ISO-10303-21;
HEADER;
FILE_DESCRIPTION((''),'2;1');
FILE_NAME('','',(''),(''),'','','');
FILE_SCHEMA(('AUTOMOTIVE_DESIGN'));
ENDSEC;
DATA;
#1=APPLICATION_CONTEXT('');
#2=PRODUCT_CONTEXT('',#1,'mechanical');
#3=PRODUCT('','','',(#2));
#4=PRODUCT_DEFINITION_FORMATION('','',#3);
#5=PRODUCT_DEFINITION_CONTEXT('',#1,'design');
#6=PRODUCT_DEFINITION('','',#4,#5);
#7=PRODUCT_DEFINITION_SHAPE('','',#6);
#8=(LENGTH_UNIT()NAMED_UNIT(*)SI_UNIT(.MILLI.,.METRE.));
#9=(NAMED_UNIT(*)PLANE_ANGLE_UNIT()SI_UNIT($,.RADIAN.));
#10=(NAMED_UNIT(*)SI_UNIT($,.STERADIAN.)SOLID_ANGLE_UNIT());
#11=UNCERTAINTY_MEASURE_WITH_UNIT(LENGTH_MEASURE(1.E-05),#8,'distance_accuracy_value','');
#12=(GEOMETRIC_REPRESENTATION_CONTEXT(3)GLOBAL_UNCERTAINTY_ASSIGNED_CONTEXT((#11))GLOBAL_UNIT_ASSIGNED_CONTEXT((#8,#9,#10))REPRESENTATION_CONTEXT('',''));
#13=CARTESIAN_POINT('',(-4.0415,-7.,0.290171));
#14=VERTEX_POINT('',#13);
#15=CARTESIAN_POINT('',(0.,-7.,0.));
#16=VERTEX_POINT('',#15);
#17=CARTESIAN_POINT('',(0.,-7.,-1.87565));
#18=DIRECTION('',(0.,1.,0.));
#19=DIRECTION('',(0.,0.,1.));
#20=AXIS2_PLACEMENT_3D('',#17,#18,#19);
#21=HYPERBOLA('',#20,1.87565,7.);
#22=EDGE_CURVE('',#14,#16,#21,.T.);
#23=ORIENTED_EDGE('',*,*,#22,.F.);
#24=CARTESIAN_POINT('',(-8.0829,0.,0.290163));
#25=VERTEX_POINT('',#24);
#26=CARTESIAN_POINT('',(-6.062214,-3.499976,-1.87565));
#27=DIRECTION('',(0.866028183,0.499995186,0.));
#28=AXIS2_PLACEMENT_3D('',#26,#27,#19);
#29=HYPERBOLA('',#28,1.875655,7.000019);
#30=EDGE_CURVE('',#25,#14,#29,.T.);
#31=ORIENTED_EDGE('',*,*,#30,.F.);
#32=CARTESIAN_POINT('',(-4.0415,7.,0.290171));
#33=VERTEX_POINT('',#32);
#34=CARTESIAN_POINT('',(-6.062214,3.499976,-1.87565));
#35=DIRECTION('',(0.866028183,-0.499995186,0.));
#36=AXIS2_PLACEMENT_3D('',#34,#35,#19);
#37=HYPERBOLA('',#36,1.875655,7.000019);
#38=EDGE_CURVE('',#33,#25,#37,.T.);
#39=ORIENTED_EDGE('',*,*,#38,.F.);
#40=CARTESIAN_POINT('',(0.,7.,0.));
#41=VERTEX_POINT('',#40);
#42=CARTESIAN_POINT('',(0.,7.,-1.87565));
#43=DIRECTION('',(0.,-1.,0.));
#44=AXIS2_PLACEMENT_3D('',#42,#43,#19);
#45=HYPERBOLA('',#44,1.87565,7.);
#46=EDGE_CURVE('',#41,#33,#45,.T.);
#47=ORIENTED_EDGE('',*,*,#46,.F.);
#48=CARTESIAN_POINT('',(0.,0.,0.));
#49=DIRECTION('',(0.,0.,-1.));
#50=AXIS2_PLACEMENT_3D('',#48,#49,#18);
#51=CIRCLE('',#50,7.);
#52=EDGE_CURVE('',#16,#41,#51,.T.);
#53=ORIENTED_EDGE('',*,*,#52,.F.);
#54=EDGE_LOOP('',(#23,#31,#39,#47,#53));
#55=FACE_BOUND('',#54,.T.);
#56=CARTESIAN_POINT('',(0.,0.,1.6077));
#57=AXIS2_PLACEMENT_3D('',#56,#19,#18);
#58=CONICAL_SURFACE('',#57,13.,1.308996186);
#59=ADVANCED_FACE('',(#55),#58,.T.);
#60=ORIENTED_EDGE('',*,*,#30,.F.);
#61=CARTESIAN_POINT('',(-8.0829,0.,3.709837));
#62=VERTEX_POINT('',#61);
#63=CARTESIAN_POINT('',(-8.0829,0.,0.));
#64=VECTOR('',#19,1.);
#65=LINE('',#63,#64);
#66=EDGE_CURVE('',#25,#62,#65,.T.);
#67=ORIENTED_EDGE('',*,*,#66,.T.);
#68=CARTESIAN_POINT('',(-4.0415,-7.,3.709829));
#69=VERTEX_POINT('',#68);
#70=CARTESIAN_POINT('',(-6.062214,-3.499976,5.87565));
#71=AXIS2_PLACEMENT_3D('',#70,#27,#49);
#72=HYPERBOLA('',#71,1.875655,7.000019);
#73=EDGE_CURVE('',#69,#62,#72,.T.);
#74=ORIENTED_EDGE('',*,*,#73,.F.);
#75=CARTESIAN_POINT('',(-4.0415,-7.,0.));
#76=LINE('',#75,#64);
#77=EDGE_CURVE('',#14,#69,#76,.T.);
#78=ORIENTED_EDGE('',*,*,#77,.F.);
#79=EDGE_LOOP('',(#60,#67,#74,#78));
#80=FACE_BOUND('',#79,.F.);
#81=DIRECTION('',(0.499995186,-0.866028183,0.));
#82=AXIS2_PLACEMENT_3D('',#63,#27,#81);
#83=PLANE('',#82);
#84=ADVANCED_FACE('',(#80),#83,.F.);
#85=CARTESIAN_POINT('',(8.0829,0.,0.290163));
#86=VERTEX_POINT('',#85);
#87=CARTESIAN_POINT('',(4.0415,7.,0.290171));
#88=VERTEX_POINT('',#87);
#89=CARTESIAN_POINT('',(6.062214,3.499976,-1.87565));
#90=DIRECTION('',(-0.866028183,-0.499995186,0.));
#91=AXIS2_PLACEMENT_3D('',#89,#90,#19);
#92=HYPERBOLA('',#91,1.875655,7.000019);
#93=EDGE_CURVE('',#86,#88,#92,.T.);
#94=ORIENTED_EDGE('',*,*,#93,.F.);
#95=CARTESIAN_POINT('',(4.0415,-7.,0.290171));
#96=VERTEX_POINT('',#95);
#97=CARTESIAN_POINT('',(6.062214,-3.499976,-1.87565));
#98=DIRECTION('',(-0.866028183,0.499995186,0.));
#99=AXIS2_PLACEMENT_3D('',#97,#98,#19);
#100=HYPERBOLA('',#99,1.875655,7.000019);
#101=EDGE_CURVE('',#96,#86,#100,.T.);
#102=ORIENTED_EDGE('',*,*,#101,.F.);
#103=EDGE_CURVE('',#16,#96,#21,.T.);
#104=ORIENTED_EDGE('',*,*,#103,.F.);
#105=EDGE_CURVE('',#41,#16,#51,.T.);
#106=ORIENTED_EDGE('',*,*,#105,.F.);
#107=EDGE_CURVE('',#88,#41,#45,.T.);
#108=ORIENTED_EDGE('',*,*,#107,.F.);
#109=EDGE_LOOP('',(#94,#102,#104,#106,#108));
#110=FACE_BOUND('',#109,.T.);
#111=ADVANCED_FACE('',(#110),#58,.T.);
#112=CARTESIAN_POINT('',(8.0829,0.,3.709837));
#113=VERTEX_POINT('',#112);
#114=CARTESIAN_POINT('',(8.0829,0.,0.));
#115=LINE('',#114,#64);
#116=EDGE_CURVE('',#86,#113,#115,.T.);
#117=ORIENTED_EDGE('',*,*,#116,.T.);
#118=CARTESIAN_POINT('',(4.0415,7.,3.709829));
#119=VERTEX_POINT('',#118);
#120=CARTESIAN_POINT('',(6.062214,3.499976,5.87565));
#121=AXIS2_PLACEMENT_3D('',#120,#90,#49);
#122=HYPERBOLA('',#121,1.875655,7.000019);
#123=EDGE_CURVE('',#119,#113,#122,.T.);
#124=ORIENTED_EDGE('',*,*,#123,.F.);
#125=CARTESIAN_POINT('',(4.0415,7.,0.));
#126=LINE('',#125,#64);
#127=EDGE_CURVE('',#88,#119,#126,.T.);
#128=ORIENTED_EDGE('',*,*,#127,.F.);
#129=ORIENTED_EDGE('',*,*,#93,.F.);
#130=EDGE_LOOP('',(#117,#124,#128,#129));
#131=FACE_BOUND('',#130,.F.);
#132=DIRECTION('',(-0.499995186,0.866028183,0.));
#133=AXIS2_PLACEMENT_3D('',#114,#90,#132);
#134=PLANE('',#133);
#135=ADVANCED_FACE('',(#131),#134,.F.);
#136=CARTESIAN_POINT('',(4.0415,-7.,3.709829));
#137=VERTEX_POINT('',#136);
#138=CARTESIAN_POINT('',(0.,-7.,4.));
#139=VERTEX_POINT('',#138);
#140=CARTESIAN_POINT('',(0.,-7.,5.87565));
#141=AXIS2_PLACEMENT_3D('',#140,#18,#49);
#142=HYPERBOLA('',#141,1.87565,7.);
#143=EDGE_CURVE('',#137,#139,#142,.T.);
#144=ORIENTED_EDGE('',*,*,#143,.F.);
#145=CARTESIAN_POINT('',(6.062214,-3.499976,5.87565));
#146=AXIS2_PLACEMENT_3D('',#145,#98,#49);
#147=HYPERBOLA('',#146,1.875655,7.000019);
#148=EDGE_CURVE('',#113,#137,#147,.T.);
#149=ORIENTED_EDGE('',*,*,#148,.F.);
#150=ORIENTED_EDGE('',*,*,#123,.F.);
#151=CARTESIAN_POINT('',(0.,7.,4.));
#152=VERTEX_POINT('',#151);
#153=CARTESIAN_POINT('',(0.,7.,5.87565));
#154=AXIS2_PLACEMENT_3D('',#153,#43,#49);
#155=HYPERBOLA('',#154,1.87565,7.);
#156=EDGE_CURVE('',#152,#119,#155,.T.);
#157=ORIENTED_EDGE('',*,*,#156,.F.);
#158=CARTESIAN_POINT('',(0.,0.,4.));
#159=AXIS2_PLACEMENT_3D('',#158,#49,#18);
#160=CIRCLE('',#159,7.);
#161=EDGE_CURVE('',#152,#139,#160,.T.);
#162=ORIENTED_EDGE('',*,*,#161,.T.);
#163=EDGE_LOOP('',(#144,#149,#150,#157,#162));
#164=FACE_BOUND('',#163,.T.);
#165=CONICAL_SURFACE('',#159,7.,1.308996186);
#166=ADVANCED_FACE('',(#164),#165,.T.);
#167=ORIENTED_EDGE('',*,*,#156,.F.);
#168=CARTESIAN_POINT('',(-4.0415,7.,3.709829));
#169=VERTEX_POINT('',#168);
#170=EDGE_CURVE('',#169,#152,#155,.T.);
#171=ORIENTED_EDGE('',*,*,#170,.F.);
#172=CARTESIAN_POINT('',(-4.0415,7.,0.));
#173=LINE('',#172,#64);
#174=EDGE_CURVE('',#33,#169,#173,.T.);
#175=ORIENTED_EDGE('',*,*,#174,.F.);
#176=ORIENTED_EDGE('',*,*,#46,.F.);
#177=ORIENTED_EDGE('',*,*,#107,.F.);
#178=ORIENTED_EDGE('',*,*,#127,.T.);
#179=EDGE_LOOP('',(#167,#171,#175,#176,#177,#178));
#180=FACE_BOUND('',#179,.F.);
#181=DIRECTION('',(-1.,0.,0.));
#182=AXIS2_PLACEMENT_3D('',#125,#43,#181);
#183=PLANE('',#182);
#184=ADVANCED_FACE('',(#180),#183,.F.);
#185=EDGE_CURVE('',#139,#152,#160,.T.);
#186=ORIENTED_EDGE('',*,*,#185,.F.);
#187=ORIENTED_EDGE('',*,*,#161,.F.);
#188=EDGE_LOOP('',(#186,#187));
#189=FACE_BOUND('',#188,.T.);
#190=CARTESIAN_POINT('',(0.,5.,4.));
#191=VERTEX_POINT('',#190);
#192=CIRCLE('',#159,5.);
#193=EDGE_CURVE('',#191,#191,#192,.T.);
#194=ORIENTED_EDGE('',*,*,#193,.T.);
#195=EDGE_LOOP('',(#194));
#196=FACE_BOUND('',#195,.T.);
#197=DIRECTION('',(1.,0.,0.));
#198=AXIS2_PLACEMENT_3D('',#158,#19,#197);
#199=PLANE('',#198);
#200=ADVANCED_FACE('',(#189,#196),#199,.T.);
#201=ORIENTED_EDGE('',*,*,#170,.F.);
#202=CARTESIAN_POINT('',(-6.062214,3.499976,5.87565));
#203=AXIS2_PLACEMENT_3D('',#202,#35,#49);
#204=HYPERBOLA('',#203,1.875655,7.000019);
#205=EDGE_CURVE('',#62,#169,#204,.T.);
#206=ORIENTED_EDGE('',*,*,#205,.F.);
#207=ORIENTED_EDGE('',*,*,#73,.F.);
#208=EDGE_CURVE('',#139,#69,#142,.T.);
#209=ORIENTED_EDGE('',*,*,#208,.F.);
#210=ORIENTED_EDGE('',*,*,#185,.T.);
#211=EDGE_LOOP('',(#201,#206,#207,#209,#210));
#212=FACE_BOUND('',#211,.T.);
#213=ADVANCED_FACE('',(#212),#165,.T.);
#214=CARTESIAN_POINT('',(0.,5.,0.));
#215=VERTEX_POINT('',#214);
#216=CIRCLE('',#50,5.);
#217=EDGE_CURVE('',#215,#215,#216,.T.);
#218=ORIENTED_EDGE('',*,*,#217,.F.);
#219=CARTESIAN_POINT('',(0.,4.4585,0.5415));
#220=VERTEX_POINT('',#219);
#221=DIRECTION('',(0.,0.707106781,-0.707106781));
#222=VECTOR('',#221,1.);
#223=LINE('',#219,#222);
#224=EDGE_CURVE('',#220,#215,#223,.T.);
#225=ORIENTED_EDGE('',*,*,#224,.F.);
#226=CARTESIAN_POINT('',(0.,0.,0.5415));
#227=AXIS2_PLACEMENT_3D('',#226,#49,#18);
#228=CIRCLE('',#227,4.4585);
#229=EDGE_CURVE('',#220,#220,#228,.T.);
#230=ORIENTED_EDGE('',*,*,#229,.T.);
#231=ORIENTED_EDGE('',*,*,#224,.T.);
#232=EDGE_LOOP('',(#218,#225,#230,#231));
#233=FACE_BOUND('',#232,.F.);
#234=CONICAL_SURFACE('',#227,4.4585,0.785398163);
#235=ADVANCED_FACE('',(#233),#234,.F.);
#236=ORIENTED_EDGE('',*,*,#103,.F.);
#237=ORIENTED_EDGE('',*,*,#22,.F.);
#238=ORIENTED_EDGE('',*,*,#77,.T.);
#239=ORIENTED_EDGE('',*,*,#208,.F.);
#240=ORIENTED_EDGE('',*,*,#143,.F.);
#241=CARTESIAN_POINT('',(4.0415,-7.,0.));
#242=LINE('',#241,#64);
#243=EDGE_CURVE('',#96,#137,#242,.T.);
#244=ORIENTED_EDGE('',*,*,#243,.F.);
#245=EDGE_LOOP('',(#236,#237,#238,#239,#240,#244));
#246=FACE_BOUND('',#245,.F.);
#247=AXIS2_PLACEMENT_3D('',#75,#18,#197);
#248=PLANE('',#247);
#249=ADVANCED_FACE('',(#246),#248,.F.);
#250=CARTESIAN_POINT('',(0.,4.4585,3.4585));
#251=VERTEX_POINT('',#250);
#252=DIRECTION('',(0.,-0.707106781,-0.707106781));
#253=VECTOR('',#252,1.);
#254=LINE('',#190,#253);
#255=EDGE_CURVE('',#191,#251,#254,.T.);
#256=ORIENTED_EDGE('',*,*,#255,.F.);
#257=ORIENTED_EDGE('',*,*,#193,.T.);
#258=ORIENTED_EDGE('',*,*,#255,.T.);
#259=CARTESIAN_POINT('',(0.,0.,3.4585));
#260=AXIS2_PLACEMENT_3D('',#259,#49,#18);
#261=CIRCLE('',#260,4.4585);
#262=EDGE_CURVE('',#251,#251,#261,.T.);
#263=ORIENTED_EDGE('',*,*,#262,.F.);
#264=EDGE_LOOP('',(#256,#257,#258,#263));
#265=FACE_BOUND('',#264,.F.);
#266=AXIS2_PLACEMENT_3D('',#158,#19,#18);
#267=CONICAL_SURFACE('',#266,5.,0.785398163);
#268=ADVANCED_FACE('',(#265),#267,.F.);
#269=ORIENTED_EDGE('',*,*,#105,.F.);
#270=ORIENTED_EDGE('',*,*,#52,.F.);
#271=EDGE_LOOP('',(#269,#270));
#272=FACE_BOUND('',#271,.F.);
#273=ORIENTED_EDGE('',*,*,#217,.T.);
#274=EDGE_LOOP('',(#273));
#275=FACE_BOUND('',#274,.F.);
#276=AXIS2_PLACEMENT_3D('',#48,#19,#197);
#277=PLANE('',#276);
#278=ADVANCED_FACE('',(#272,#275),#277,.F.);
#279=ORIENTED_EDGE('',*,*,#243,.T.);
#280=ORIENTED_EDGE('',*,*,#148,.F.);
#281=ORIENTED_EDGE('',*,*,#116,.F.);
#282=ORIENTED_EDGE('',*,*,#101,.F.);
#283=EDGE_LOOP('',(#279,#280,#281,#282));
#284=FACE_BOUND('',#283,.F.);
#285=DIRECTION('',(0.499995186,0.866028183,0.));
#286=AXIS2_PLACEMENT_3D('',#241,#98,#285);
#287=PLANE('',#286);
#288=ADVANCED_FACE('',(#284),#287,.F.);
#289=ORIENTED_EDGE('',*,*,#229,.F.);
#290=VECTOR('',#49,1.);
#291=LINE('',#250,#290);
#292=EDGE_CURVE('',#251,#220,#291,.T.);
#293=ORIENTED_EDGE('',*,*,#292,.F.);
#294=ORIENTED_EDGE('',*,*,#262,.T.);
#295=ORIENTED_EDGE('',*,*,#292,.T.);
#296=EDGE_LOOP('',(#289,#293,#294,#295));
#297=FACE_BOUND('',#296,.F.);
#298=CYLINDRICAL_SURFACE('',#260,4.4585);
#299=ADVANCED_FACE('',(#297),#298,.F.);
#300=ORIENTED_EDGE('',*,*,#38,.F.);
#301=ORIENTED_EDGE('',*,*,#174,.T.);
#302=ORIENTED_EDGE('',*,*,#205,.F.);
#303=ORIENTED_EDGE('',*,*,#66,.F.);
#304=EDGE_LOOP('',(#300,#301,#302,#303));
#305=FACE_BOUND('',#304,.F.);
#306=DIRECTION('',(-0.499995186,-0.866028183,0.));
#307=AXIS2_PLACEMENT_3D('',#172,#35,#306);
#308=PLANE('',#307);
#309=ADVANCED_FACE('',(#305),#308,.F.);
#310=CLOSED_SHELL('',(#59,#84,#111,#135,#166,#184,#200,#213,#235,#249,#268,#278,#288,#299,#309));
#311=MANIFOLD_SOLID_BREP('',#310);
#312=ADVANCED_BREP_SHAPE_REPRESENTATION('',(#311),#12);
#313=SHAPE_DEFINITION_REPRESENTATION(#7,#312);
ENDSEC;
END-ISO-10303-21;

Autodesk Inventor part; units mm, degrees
sketch "Sketch_1" plane through (0, 0, 0) normal (0, 0, 1) x (1, 0, 0)
  line L0 (-8.0829, 0) -> (-4.0415, -7)
  line L1 (-4.0415, -7) -> (4.0415, -7)
  line L2 (4.0415, -7) -> (8.0829, 0)
  line L3 (8.0829, 0) -> (4.0415, 7)
  line L4 (4.0415, 7) -> (-4.0415, 7)
  line L5 (-4.0415, 7) -> (-8.0829, 0)
extrude "Extrusion1" add sketch "Sketch_1" along normal blind 4
sketch "Sketch_2" plane through (0, 0, 0) normal (1, 0, 0) x (0, 1, 0)
  line L0 (0, 0) -> (0, 4)
  line L1 (0, 4) -> (5, 4)
  line L2 (5, 4) -> (4.4585, 3.4585)
  line L3 (4.4585, 3.4585) -> (4.4585, 0.5415)
  line L4 (4.4585, 0.5415) -> (5, 0)
  line L5 (5, 0) -> (0, 0)
  line L6 (0, 0) -> (0, 4)
revolve "Revolution1" cut sketch "Sketch_2" angle 360 about axis through (0, 0, 0) along (0, 0, -1)
thread "Thread1" size "M10x1" class "6H" standard "ISO Metric profile" full length
sketch "Sketch_3" plane through (0, 0, 0) normal (1, 0, 0) x (0, 1, 0)
  line L0 (0, -50) -> (0, 50)
  line L1 (17, 4) -> (7, 4)
  line L2 (7, 4) -> (13, 2.3923)
  line L3 (13, 2.3923) -> (13, 1.6077)
  line L4 (13, 1.6077) -> (7, 0)
  line L5 (7, 0) -> (17, 0)
  line L6 (17, 0) -> (17, 4)
revolve "Revolution2" cut sketch "Sketch_3" angle 360 about axis through (0, 0, -50) along (0, 0, -1)
ref_plane "ANBAU_XY" through (0, 0, 0) normal (0, 0, -1) x (1, 0, 0)
ref_plane "ANBAU_YZ" through (0, 0, 0) normal (1, 0, 0) x (0, -1, 0)
ref_plane "ANBAU_ZX" through (0, 0, 0) normal (0, -1, 0) x (0, 0, -1)
properties part number "5362901 M10x1"
